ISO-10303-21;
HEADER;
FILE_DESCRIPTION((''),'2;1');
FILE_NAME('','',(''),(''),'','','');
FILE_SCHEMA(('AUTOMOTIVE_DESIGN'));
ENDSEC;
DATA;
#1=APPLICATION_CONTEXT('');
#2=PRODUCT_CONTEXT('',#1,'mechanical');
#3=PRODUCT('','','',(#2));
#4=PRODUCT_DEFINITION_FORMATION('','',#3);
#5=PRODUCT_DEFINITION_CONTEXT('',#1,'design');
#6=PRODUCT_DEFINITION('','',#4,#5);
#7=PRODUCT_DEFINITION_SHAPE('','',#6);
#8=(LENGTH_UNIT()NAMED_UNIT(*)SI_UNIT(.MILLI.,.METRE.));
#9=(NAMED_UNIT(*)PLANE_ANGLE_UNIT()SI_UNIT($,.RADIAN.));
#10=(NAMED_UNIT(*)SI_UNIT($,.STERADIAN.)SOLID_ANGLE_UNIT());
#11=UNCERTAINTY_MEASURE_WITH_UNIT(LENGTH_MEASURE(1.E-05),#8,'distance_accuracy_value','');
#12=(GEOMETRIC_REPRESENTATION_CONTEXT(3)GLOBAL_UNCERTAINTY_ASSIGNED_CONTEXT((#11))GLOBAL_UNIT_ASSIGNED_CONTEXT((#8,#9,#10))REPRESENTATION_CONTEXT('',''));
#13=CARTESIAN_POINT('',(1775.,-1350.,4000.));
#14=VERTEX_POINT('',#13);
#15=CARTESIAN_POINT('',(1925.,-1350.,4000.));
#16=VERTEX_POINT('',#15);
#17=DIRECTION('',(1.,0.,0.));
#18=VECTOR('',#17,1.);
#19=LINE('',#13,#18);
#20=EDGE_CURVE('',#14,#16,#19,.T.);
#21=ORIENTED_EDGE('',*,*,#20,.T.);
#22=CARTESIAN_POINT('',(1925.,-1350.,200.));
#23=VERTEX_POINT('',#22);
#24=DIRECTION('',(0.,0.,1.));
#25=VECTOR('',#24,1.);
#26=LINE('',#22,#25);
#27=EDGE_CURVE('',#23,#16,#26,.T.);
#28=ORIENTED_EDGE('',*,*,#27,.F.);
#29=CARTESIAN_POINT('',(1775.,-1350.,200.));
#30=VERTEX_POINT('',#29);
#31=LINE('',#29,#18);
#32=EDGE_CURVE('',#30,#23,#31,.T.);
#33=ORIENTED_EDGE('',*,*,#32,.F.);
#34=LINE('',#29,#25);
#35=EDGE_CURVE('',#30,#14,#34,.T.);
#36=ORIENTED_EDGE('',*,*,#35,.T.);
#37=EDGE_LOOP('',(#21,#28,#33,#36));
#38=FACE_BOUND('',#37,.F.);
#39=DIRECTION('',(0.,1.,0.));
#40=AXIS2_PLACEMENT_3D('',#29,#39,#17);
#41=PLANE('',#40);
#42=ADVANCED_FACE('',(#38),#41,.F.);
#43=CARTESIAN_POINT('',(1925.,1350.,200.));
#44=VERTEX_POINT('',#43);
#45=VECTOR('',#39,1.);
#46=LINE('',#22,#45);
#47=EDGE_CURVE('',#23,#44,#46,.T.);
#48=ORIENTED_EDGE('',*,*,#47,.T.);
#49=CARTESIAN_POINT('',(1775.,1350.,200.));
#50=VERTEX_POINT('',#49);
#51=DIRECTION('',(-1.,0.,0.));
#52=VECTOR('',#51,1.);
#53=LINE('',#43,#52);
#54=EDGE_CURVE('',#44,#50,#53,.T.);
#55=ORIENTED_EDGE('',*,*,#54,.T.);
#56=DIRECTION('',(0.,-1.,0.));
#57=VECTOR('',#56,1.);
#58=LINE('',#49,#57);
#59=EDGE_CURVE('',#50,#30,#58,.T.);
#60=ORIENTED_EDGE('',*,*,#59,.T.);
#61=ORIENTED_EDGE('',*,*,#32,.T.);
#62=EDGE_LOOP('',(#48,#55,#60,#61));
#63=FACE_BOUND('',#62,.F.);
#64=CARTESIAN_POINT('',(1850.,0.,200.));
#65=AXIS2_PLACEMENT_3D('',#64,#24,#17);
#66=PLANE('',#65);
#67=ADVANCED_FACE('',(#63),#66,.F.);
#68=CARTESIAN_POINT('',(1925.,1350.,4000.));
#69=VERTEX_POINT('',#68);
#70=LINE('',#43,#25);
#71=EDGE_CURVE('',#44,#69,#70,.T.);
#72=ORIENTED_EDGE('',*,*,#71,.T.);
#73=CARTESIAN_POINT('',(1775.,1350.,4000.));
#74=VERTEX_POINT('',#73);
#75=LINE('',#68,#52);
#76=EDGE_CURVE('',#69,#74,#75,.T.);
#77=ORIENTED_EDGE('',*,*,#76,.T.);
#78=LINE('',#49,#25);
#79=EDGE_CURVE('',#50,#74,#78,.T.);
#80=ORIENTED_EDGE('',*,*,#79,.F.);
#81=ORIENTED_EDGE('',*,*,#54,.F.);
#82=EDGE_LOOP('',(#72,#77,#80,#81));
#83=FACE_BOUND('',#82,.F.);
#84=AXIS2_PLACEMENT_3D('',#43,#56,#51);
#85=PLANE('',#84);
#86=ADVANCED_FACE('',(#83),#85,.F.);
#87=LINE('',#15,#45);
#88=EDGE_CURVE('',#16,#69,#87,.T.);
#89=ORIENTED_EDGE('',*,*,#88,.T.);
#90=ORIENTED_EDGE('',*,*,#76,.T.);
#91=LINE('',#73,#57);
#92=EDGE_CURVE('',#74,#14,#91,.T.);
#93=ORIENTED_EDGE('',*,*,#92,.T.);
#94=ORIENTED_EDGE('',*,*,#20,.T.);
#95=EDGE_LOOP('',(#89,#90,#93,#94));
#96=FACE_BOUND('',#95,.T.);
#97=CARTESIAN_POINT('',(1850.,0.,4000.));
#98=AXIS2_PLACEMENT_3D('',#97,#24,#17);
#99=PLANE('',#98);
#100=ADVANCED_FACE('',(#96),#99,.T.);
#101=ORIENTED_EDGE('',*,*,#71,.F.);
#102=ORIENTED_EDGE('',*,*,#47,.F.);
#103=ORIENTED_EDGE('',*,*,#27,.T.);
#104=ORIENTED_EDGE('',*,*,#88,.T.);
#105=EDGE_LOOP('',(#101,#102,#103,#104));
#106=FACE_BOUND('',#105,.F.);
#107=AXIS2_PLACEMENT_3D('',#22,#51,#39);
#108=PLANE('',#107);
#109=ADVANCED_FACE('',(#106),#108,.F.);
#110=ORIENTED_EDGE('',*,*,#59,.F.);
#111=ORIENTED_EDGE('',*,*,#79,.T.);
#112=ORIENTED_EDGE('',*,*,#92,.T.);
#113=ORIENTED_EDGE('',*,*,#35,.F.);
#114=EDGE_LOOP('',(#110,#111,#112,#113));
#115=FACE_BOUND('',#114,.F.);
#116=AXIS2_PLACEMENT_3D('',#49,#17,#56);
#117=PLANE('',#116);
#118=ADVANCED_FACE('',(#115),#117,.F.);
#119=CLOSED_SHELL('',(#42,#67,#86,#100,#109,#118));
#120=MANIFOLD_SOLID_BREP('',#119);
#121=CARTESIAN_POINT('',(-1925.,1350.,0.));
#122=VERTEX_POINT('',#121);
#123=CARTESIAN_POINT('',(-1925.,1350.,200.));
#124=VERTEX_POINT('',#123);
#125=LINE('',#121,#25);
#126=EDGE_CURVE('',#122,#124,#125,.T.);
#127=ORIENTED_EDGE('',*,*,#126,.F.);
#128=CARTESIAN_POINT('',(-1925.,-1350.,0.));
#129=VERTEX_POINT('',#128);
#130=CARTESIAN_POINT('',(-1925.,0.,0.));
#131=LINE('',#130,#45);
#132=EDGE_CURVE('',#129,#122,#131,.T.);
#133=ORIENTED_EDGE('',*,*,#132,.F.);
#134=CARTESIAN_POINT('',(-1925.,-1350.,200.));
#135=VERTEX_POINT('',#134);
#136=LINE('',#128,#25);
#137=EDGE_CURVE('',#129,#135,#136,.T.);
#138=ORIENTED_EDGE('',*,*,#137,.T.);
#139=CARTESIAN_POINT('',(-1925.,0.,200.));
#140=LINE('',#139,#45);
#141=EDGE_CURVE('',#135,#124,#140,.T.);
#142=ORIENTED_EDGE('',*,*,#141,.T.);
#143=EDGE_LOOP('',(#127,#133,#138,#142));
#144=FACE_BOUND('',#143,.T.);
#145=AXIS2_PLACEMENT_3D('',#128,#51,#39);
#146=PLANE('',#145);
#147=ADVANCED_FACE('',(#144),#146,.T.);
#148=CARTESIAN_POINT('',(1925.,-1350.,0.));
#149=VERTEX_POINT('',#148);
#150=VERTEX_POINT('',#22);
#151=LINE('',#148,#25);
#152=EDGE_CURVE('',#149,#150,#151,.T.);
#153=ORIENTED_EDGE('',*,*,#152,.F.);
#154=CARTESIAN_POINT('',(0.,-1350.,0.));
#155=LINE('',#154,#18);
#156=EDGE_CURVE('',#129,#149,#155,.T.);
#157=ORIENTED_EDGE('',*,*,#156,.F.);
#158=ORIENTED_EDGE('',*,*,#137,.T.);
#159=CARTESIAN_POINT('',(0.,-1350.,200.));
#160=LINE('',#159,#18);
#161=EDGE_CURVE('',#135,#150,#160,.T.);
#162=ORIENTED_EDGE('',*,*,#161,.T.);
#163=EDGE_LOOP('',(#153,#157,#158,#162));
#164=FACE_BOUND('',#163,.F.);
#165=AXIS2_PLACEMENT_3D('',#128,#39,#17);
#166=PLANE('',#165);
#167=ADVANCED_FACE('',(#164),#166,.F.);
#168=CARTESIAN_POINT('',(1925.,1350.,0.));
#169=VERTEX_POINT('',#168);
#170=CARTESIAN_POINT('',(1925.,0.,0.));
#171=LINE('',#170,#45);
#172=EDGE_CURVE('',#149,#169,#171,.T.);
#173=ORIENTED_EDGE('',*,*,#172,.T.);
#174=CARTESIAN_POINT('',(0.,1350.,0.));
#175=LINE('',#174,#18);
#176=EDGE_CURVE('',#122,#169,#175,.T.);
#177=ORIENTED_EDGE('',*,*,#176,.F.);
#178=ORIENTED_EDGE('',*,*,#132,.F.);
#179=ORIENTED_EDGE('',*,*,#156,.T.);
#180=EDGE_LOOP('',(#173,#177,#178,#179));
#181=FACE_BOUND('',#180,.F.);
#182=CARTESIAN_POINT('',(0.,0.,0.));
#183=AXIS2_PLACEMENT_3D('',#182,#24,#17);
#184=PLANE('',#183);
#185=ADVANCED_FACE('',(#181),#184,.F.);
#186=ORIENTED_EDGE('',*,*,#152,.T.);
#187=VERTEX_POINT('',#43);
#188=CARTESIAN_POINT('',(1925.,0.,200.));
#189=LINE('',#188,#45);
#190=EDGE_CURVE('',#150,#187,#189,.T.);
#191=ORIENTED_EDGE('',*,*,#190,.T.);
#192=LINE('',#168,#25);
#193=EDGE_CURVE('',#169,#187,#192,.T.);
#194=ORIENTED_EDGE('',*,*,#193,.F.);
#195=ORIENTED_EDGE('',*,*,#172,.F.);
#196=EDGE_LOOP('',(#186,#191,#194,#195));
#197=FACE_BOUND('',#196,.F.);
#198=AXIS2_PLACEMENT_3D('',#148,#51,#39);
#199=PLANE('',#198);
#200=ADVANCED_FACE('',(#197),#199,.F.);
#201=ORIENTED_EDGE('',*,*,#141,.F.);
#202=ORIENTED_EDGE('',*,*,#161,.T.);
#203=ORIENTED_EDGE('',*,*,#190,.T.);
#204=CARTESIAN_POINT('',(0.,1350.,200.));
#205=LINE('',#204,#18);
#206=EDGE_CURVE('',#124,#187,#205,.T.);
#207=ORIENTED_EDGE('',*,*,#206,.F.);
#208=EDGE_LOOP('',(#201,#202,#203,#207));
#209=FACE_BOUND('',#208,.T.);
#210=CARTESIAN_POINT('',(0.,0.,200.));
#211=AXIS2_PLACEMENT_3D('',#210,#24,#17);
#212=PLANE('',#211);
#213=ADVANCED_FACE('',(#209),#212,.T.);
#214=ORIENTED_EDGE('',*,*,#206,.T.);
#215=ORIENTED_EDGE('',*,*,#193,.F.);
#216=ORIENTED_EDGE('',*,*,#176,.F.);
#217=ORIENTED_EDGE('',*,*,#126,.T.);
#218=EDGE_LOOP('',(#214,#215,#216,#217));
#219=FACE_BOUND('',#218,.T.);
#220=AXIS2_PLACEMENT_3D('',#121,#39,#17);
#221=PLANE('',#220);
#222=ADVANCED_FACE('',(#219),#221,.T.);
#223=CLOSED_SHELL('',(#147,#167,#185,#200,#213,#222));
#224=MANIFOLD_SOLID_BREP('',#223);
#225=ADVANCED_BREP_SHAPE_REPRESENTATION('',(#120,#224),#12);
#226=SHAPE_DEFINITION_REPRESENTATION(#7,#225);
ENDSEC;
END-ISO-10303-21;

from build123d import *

# Parameters (mm, degrees)
F0_W     = 3850
F0_H     = 2700
F1_DEPTH = 200
F3_DEPTH = 3800


with BuildPart() as f1:
    # F0 (on Top) → F1 (new body)
    with BuildSketch(Plane.XY):
        Rectangle(F0_W, F0_H)
    extrude(amount=F1_DEPTH)


with BuildPart() as f3:
    # F2 (on face) → F3 (new body)
    with BuildSketch(Plane.XY.offset(200)):
        Polygon((1775, 1150), (1775, -1350), (1925, -1350), (1925, 1350), (1775, 1350), align=None)
    extrude(amount=F3_DEPTH)


solid = Compound([f1.part, f3.part])
